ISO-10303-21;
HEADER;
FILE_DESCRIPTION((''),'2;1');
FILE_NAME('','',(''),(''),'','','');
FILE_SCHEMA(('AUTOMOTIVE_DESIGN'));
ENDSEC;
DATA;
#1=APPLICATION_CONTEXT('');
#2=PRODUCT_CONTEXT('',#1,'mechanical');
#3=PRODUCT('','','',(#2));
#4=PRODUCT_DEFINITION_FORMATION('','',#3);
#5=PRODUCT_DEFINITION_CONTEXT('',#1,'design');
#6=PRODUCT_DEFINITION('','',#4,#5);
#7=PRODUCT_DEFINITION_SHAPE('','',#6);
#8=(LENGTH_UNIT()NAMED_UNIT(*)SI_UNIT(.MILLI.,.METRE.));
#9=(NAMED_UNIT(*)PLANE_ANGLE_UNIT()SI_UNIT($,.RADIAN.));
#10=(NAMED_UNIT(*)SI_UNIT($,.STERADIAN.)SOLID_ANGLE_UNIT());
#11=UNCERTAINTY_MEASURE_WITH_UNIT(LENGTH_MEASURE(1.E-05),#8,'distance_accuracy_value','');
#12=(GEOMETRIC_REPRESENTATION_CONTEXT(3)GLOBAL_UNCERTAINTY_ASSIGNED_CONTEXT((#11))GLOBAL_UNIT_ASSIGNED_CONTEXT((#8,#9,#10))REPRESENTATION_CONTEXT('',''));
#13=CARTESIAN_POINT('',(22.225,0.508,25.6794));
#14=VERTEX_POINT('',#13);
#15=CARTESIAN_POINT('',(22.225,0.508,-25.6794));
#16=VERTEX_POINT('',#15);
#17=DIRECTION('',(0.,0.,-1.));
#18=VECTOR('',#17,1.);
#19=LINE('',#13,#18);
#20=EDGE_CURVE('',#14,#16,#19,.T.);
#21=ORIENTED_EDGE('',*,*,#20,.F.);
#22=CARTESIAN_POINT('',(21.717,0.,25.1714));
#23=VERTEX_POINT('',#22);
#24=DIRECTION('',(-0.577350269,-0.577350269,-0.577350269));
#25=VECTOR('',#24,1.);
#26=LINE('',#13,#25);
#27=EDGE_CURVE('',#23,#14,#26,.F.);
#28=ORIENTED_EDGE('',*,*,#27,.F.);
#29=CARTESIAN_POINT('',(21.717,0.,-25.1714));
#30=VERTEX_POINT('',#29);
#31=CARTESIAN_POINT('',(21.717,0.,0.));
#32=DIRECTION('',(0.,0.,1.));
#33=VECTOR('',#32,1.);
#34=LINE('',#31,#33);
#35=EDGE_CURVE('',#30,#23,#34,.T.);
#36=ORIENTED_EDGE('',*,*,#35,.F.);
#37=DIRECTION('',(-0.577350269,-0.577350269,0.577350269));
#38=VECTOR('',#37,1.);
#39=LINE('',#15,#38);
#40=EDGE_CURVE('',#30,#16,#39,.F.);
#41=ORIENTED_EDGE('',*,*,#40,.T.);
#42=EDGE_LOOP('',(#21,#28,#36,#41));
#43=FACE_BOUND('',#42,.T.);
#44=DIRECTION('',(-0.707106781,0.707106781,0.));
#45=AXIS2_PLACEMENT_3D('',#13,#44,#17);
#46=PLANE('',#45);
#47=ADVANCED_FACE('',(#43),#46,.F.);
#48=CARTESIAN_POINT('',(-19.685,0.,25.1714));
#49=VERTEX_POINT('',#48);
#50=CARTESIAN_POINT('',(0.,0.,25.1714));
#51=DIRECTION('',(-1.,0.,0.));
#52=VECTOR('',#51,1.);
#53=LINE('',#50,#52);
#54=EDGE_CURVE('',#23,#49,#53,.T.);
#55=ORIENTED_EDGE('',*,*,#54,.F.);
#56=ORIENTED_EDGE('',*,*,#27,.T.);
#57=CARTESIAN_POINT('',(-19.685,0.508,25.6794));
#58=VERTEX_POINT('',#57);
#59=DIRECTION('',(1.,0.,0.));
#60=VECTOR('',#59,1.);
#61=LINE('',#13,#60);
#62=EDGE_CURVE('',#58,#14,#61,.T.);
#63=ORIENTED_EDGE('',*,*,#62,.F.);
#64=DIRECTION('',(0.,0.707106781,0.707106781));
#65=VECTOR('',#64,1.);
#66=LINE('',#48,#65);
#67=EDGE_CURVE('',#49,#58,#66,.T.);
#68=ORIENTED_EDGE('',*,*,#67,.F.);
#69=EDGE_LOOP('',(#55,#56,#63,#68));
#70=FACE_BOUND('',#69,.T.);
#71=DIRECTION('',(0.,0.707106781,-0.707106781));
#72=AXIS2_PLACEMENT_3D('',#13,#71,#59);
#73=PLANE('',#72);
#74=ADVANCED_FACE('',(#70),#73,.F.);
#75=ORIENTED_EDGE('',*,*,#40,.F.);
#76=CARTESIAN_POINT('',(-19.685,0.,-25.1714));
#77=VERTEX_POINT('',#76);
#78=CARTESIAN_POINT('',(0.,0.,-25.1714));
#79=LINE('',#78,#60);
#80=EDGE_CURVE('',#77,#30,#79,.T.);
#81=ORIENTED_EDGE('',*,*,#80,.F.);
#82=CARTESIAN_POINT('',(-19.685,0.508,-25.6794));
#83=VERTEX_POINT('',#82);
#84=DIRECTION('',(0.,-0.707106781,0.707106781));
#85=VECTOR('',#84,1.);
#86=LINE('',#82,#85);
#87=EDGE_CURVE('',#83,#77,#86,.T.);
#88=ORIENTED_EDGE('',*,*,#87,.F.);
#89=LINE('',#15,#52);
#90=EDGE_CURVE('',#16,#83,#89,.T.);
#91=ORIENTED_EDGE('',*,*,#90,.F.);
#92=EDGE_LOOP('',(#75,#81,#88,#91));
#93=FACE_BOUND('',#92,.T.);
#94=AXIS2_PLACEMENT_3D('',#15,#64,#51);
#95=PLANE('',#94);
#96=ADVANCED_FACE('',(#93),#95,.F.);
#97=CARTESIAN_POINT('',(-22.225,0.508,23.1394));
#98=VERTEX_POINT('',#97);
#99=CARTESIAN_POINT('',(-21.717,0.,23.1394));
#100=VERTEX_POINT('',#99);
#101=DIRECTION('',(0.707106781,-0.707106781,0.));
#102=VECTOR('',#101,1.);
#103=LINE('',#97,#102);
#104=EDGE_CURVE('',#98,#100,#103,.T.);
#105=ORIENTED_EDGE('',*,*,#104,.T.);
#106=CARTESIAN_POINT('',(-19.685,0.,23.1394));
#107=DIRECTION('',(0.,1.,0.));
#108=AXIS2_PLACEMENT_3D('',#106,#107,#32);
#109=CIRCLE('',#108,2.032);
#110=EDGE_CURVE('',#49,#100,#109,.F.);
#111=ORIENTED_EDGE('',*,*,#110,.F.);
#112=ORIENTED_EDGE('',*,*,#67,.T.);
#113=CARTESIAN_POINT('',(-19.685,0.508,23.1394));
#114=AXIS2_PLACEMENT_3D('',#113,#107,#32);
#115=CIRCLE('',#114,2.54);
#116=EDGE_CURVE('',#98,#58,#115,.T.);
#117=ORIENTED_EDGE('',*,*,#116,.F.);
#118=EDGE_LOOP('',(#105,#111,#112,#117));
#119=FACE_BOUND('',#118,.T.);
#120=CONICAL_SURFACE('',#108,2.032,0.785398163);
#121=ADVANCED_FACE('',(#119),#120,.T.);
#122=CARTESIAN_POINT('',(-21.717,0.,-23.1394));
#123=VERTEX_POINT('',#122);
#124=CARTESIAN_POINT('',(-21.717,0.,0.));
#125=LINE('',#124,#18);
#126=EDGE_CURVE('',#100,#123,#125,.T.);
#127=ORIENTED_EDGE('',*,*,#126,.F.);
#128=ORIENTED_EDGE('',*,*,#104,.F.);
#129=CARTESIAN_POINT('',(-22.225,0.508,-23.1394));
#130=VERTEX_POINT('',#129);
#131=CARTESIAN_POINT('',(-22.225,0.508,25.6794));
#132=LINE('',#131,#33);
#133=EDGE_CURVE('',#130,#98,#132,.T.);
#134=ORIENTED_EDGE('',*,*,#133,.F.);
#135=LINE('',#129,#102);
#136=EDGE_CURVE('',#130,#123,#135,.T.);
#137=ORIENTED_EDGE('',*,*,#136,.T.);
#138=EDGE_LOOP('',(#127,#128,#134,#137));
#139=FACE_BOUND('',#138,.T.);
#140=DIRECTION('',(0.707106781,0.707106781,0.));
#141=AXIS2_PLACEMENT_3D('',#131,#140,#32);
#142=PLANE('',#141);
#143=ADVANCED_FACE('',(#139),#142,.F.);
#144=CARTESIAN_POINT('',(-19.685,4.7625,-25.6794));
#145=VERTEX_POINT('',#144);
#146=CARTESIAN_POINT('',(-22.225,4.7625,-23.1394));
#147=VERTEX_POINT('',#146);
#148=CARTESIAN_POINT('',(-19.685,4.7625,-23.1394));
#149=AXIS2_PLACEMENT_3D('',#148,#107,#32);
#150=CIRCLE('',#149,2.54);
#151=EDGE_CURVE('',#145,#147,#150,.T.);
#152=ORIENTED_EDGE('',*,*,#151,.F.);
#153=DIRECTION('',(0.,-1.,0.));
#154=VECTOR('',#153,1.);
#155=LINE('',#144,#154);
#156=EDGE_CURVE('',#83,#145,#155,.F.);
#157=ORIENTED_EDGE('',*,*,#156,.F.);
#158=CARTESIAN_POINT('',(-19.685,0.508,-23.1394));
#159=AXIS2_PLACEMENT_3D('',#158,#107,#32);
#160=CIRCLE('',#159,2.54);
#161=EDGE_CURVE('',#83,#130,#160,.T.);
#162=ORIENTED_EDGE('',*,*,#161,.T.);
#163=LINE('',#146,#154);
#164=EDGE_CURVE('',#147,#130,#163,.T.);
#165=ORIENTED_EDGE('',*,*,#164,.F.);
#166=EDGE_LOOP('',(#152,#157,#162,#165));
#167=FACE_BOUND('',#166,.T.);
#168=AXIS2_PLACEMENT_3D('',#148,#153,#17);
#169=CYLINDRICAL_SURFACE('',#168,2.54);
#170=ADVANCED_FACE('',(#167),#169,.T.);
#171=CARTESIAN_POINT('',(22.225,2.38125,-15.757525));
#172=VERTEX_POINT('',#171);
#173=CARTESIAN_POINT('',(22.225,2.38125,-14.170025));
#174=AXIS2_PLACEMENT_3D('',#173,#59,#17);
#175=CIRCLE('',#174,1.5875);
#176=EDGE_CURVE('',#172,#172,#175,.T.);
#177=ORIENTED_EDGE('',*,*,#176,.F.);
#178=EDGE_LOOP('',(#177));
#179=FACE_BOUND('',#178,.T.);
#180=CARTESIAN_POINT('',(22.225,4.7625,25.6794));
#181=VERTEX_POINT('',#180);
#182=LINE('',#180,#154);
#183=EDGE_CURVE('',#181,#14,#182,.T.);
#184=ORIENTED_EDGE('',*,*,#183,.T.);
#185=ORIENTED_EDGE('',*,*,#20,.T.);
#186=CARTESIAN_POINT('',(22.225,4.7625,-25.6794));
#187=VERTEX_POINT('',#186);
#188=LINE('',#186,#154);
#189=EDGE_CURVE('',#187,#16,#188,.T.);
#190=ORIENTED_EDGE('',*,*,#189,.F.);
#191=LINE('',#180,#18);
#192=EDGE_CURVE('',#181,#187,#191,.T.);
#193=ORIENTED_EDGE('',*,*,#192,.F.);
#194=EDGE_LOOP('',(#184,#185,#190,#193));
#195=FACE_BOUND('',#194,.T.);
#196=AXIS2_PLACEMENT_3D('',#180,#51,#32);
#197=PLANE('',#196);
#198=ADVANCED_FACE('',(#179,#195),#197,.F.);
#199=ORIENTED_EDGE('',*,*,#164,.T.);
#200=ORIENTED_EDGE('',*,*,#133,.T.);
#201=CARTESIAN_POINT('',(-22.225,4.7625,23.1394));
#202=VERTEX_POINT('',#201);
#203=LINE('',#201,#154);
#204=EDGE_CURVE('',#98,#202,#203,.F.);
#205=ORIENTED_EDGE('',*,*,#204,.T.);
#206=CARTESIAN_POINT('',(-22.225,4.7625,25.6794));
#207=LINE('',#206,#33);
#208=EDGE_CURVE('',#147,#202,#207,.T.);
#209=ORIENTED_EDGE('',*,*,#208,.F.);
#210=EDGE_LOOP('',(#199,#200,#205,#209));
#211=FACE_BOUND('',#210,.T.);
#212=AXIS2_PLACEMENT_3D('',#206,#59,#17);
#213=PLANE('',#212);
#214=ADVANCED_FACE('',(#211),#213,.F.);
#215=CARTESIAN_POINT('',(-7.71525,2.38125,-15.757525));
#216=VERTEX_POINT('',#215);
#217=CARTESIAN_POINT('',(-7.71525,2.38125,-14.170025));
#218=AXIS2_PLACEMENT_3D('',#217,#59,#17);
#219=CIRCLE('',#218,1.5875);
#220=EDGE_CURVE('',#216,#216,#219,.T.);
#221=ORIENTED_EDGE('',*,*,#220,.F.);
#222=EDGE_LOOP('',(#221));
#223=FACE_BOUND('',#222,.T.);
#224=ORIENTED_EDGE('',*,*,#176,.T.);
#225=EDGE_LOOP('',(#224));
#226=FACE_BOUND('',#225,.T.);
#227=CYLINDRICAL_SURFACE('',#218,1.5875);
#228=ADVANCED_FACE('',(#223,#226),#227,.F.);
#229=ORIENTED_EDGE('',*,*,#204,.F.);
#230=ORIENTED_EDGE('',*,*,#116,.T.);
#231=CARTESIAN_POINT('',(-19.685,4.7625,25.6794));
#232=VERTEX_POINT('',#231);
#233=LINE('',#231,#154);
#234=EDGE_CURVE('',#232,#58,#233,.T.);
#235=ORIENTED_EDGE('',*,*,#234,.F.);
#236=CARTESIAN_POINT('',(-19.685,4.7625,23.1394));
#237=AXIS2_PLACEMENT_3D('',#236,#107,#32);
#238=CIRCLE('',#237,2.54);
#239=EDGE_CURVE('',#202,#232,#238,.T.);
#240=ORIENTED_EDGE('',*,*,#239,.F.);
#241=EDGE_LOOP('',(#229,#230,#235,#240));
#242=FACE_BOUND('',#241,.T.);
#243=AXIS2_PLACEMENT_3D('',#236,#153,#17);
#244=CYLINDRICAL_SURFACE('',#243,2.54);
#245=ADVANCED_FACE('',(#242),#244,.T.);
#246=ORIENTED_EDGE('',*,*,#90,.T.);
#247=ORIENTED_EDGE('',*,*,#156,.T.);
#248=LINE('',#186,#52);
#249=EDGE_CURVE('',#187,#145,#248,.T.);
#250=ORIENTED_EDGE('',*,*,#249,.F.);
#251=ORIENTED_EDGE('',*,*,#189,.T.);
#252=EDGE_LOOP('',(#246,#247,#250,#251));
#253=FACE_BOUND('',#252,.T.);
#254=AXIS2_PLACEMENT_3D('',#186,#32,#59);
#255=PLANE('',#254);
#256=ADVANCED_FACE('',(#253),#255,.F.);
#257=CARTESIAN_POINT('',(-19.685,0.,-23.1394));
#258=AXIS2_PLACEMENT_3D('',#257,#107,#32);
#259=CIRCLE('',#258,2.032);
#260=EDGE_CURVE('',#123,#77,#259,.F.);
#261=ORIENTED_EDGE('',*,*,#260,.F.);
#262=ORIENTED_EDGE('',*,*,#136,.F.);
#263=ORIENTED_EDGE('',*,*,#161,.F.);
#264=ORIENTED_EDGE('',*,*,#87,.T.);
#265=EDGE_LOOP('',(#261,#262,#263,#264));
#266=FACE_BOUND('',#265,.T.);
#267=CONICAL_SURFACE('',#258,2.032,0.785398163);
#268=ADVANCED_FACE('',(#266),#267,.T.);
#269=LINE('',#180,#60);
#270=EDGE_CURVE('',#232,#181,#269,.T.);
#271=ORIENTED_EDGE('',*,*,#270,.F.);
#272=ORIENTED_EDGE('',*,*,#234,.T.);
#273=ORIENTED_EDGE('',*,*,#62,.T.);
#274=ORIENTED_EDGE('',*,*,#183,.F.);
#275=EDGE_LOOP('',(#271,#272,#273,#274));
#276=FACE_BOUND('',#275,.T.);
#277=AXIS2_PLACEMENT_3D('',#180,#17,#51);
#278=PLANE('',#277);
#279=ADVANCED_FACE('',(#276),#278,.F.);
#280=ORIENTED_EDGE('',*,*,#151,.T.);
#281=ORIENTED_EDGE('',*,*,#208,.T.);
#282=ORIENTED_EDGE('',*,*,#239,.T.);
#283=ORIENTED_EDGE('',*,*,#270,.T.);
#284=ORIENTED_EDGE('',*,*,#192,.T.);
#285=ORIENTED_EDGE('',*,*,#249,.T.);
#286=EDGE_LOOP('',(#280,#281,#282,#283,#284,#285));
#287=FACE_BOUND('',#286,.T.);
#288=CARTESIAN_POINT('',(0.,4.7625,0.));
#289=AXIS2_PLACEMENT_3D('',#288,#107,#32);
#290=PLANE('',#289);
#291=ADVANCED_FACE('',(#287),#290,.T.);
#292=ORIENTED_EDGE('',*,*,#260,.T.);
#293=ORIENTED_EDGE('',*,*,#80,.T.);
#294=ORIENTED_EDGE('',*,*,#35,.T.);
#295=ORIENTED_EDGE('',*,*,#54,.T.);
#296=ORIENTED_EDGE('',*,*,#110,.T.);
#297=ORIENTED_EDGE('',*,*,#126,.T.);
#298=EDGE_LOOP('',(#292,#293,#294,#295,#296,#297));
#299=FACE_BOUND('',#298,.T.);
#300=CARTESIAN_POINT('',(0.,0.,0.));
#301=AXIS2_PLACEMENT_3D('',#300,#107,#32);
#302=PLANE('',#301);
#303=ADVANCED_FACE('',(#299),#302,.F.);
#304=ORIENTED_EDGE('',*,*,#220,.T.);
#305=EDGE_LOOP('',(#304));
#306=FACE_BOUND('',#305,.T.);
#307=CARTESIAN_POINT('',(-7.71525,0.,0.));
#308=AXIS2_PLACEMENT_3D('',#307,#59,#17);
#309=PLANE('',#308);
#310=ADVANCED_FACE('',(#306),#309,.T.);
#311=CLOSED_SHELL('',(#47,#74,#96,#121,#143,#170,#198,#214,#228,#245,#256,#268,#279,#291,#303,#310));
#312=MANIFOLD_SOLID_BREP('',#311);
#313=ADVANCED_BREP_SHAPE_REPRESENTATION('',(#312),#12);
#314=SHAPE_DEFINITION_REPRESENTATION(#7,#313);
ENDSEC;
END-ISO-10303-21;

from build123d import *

# Parameters (mm, degrees)
SKETCH1_W           = 44.45
SKETCH1_H           = 51.3588
BOSS_EXTRUDE1_DEPTH = 4.7625
CUT_EXTRUDE1_DEPTH  = 29.94025
FILLET1_R           = 2.54
CHAMFER1_SIZE       = 0.508


with BuildPart() as part:
    # Sketch1 → Boss-Extrude1 (new body)
    with BuildSketch(Plane(origin=(0, 0, 0), x_dir=(1, 0, 0), z_dir=(0, 1, 0))):
        Rectangle(SKETCH1_W, SKETCH1_H)
    extrude(amount=BOSS_EXTRUDE1_DEPTH)

    # Sketch2 → Cut-Extrude1 (cut)
    with BuildSketch(Plane(origin=(22.225, 0, 0), x_dir=(0, 0, -1), z_dir=(1, 0, 0))):
        with BuildLine():
            ThreePointArc((15.757525, 2.38125), (15.292557015, 3.503782015), (14.170025, 3.96875))
            Line((14.170025, 3.96875), (14.170025, 0.79375))
            ThreePointArc((14.170025, 0.79375), (15.292557015, 1.258717985), (15.757525, 2.38125))
        make_face()
        with BuildLine():
            Line((14.170025, 0.79375), (14.170025, 3.96875))
            ThreePointArc((14.170025, 3.96875), (12.582525, 2.38125), (14.170025, 0.79375))
        make_face()
    extrude(amount=-CUT_EXTRUDE1_DEPTH, mode=Mode.SUBTRACT)

    # Fillet1
    fillet1_edges = [part.edges().sort_by_distance(p)[0] for p in [
        (-22.225, 2.38125, -25.6794),
        (-22.225, 2.38125, 25.6794),
    ]]
    fillet(fillet1_edges, radius=FILLET1_R)

    # Chamfer1
    chamfer1_edges = [part.edges().sort_by_distance(p)[0] for p in [
        (-22.225, 0, 0),
        (1.27, 0, 25.6794),
        (-21.481051224, 0, 24.935451224),
        (-21.481051224, 0, -24.935451224),
        (1.27, 0, -25.6794),
        (22.225, 0, 0),
    ]]
    chamfer(chamfer1_edges, length=CHAMFER1_SIZE)


solid = part.part
